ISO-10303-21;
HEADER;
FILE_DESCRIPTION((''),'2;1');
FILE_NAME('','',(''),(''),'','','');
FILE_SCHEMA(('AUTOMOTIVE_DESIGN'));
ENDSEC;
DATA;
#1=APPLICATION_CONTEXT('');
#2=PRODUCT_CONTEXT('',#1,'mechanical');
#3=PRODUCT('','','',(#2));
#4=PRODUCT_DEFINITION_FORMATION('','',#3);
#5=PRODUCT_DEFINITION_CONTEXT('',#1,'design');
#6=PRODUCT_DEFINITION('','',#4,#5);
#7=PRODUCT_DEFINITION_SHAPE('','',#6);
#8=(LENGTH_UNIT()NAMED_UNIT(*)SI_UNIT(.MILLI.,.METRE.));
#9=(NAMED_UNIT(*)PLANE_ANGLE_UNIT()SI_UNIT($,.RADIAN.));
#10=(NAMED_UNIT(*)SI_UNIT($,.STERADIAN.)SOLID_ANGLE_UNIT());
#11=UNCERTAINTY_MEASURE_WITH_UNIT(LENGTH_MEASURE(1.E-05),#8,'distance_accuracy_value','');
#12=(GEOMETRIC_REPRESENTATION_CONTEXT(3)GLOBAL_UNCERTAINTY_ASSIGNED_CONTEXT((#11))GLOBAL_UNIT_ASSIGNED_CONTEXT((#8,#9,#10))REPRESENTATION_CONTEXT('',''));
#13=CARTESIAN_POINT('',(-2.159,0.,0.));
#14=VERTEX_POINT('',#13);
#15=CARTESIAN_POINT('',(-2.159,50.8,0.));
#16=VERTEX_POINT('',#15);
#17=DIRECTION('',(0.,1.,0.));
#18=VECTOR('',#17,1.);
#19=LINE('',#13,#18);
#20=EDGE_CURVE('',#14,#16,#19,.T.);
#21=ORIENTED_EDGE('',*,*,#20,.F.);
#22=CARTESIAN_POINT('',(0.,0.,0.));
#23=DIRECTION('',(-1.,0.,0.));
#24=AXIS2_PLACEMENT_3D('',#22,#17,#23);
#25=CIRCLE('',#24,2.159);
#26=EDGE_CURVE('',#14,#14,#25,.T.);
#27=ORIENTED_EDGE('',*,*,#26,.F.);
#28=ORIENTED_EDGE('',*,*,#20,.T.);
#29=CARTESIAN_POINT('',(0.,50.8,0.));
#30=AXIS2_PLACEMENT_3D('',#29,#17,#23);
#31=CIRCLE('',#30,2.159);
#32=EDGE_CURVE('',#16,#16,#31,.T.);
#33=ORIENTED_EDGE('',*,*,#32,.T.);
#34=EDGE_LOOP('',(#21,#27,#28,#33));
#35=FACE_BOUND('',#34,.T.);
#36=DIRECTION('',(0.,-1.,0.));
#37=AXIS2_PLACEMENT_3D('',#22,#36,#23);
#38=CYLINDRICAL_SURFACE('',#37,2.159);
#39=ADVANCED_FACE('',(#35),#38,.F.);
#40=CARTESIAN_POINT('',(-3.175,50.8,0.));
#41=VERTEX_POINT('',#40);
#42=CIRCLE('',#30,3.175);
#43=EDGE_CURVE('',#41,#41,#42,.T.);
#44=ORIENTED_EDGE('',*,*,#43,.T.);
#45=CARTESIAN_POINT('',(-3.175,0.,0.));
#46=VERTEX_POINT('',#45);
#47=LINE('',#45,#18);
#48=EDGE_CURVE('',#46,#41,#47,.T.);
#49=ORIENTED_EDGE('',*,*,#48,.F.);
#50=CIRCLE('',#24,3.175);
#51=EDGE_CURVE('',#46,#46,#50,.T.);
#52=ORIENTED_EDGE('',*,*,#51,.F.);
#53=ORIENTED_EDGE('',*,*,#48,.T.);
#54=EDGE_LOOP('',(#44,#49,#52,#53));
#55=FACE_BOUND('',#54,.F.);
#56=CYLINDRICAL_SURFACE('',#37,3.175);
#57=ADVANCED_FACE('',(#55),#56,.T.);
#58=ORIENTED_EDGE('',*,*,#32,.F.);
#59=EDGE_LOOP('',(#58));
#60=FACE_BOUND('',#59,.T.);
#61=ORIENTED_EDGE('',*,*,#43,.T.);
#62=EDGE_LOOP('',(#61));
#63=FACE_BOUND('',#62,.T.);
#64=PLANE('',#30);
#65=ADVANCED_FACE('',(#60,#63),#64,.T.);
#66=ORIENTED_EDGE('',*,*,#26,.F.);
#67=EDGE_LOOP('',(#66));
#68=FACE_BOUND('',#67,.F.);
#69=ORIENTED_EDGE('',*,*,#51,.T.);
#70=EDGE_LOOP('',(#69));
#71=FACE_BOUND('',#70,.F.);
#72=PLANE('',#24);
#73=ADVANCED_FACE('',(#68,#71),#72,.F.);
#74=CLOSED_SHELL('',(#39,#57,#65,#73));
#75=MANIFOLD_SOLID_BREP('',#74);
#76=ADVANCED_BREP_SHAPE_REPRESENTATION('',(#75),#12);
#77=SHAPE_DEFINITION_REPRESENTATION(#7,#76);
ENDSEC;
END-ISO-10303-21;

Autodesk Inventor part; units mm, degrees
ref_plane "YZ Plane" through (0, 0, 0) normal (1, 0, 0) x (0, 1, 0)
ref_plane "XZ Plane" through (0, 0, 0) normal (0, 1, 0) x (-1, 0, 0)
ref_plane "XY Plane" through (0, 0, 0) normal (0, 0, 1) x (1, 0, 0)
sketch "Sketch1" plane through (0, 0, 0) normal (0, 1, 0) x (-1, 0, 0)
  circle A0 centre (0, 0) radius 3.175
  circle A1 centre (0, 0) radius 2.159
  dimension "d0" = 6.35
  dimension "d1" = 4.318
extrude "Extrusion1" add sketch "Sketch1" along normal blind 50.8
properties part number "2.0 spacer 1-4 od" material "Stainless Steel"
